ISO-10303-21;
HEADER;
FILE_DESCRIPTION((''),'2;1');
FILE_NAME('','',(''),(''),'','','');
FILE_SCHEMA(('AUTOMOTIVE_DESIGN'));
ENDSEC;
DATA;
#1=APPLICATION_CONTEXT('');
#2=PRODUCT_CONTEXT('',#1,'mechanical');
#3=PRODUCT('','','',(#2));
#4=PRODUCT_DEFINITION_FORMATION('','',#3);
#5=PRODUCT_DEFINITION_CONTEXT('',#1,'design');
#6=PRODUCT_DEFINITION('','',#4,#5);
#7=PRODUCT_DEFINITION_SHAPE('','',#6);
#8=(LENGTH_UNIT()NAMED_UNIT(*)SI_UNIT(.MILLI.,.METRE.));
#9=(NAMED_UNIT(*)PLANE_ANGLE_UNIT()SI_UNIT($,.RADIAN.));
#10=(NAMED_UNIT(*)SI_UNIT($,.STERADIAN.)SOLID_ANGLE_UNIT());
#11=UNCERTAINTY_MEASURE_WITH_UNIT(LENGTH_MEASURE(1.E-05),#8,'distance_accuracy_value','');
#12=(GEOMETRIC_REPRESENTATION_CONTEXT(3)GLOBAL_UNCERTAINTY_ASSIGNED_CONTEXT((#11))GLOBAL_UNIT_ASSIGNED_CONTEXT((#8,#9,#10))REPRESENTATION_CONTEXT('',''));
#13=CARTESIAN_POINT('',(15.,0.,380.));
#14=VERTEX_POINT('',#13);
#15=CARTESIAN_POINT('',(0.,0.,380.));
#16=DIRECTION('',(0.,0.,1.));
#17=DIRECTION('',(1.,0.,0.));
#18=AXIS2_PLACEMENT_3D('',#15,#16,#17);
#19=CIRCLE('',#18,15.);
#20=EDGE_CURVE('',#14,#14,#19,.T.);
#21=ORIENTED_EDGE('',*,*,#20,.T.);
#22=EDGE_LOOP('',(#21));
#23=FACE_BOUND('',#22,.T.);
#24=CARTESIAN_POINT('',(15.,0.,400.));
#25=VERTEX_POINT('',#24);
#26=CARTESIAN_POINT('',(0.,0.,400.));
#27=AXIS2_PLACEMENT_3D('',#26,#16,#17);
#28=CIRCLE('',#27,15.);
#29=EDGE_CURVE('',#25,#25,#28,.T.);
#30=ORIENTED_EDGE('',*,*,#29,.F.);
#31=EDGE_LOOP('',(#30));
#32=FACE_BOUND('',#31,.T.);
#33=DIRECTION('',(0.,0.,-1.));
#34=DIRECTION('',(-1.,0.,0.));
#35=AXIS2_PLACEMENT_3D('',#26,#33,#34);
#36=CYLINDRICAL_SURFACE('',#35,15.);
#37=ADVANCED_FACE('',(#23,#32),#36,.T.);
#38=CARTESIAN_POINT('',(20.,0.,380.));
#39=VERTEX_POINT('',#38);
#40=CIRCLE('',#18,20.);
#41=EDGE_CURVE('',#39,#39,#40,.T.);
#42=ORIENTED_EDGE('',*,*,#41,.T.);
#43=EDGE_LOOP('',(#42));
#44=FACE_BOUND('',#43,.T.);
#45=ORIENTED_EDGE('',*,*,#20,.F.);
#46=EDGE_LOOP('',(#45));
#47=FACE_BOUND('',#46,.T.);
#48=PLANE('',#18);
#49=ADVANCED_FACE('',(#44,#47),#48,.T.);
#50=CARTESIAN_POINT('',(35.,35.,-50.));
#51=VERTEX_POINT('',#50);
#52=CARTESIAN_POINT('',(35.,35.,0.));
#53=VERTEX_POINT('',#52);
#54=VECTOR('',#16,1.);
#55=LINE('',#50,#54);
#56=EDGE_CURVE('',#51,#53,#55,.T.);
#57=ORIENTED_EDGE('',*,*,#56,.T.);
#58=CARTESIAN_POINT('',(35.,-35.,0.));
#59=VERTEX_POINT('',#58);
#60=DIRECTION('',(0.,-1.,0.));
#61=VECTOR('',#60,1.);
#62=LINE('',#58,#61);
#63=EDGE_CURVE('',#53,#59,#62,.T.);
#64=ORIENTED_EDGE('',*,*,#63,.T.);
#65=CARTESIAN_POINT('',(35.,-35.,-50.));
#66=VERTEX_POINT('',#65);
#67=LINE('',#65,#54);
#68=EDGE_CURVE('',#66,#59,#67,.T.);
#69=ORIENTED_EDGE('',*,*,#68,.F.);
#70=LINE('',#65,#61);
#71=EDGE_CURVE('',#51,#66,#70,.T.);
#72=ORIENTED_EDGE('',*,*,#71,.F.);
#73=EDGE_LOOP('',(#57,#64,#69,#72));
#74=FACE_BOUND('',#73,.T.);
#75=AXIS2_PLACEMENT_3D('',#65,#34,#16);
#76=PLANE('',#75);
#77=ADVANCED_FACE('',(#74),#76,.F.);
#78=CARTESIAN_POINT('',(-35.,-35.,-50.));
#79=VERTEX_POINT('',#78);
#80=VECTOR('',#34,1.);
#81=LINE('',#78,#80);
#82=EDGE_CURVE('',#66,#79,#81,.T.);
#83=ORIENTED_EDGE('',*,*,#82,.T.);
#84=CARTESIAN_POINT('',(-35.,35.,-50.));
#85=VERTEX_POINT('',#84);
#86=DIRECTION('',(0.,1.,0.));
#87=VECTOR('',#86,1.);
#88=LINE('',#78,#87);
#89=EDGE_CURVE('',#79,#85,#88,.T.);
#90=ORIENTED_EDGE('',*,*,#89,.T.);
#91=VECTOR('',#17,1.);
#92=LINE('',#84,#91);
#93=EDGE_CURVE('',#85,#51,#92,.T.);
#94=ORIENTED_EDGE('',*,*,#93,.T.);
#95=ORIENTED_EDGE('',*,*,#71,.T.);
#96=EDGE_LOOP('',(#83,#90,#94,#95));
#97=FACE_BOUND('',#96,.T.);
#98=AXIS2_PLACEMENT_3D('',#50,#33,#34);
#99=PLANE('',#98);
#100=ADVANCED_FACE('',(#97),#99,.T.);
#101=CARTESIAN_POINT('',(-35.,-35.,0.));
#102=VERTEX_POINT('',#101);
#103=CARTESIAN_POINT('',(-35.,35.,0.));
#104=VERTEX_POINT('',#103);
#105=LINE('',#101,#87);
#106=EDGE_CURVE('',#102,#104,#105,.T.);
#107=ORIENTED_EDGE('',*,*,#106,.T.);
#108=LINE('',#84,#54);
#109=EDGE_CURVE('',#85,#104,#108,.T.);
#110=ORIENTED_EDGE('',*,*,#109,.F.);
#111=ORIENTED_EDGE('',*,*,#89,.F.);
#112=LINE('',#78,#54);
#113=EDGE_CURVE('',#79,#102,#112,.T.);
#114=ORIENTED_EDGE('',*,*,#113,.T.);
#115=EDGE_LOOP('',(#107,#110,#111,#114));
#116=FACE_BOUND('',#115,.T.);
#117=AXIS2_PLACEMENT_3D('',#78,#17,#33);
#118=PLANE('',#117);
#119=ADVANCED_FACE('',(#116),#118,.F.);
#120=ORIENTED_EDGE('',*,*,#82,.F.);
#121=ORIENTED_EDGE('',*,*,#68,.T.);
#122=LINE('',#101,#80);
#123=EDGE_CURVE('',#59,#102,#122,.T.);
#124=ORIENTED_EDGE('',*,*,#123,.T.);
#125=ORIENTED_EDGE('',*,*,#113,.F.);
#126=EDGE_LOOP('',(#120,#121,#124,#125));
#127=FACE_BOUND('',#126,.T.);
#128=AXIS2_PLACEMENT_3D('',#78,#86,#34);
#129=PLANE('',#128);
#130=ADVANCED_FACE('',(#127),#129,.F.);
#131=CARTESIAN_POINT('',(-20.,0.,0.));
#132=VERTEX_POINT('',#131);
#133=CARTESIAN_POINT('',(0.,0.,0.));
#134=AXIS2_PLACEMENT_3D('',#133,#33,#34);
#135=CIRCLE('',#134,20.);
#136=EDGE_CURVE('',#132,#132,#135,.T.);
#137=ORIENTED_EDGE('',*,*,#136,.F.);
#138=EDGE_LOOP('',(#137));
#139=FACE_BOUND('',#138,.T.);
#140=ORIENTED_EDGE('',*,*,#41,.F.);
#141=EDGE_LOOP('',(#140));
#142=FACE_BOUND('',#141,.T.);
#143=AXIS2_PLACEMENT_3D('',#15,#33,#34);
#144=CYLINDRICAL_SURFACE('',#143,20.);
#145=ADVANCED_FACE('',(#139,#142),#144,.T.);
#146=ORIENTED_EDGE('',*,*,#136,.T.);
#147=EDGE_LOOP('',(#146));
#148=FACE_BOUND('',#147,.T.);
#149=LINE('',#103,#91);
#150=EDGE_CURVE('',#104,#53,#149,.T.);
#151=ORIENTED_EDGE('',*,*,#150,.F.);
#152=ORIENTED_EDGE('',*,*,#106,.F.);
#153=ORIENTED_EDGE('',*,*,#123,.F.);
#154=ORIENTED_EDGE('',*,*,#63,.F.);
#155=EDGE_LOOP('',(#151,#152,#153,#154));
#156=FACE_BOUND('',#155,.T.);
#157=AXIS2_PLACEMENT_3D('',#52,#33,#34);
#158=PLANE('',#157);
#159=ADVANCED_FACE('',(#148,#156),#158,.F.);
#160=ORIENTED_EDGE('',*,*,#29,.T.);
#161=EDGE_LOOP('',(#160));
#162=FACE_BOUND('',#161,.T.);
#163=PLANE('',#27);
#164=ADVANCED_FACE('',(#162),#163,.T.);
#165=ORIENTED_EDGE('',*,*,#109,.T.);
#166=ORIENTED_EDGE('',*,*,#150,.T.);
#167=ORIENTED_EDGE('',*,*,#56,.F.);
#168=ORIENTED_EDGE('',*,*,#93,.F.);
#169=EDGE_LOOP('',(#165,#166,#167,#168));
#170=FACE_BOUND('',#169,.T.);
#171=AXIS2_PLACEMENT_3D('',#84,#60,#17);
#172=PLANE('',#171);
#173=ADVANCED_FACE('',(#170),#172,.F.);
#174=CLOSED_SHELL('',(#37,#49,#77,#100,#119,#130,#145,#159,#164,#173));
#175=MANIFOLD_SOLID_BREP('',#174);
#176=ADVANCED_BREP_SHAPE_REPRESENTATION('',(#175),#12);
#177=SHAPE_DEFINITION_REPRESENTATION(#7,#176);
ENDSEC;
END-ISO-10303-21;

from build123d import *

# Parameters (mm, degrees)
SKETCH2_R           = 20
BOSS_EXTRUDE2_DEPTH = 380
SKETCH4_W           = 70
SKETCH4_H           = 70
BOSS_EXTRUDE3_DEPTH = 50
SKETCH5_R           = 15
BOSS_EXTRUDE4_DEPTH = 20


with BuildPart() as part:
    # Sketch2 → Boss-Extrude2 (new body)
    with BuildSketch(Plane.XY):
        Circle(SKETCH2_R)
    extrude(amount=BOSS_EXTRUDE2_DEPTH)

    # Sketch4 → Boss-Extrude3 (add)
    with BuildSketch(Plane(origin=(0, 0, 0), x_dir=(-1, 0, 0), z_dir=(0, 0, -1))):
        Rectangle(SKETCH4_W, SKETCH4_H)
    extrude(amount=BOSS_EXTRUDE3_DEPTH)

    # Sketch5 → Boss-Extrude4 (add)
    with BuildSketch(Plane.XY.offset(380)):
        Circle(SKETCH5_R)
    extrude(amount=BOSS_EXTRUDE4_DEPTH)


solid = part.part
